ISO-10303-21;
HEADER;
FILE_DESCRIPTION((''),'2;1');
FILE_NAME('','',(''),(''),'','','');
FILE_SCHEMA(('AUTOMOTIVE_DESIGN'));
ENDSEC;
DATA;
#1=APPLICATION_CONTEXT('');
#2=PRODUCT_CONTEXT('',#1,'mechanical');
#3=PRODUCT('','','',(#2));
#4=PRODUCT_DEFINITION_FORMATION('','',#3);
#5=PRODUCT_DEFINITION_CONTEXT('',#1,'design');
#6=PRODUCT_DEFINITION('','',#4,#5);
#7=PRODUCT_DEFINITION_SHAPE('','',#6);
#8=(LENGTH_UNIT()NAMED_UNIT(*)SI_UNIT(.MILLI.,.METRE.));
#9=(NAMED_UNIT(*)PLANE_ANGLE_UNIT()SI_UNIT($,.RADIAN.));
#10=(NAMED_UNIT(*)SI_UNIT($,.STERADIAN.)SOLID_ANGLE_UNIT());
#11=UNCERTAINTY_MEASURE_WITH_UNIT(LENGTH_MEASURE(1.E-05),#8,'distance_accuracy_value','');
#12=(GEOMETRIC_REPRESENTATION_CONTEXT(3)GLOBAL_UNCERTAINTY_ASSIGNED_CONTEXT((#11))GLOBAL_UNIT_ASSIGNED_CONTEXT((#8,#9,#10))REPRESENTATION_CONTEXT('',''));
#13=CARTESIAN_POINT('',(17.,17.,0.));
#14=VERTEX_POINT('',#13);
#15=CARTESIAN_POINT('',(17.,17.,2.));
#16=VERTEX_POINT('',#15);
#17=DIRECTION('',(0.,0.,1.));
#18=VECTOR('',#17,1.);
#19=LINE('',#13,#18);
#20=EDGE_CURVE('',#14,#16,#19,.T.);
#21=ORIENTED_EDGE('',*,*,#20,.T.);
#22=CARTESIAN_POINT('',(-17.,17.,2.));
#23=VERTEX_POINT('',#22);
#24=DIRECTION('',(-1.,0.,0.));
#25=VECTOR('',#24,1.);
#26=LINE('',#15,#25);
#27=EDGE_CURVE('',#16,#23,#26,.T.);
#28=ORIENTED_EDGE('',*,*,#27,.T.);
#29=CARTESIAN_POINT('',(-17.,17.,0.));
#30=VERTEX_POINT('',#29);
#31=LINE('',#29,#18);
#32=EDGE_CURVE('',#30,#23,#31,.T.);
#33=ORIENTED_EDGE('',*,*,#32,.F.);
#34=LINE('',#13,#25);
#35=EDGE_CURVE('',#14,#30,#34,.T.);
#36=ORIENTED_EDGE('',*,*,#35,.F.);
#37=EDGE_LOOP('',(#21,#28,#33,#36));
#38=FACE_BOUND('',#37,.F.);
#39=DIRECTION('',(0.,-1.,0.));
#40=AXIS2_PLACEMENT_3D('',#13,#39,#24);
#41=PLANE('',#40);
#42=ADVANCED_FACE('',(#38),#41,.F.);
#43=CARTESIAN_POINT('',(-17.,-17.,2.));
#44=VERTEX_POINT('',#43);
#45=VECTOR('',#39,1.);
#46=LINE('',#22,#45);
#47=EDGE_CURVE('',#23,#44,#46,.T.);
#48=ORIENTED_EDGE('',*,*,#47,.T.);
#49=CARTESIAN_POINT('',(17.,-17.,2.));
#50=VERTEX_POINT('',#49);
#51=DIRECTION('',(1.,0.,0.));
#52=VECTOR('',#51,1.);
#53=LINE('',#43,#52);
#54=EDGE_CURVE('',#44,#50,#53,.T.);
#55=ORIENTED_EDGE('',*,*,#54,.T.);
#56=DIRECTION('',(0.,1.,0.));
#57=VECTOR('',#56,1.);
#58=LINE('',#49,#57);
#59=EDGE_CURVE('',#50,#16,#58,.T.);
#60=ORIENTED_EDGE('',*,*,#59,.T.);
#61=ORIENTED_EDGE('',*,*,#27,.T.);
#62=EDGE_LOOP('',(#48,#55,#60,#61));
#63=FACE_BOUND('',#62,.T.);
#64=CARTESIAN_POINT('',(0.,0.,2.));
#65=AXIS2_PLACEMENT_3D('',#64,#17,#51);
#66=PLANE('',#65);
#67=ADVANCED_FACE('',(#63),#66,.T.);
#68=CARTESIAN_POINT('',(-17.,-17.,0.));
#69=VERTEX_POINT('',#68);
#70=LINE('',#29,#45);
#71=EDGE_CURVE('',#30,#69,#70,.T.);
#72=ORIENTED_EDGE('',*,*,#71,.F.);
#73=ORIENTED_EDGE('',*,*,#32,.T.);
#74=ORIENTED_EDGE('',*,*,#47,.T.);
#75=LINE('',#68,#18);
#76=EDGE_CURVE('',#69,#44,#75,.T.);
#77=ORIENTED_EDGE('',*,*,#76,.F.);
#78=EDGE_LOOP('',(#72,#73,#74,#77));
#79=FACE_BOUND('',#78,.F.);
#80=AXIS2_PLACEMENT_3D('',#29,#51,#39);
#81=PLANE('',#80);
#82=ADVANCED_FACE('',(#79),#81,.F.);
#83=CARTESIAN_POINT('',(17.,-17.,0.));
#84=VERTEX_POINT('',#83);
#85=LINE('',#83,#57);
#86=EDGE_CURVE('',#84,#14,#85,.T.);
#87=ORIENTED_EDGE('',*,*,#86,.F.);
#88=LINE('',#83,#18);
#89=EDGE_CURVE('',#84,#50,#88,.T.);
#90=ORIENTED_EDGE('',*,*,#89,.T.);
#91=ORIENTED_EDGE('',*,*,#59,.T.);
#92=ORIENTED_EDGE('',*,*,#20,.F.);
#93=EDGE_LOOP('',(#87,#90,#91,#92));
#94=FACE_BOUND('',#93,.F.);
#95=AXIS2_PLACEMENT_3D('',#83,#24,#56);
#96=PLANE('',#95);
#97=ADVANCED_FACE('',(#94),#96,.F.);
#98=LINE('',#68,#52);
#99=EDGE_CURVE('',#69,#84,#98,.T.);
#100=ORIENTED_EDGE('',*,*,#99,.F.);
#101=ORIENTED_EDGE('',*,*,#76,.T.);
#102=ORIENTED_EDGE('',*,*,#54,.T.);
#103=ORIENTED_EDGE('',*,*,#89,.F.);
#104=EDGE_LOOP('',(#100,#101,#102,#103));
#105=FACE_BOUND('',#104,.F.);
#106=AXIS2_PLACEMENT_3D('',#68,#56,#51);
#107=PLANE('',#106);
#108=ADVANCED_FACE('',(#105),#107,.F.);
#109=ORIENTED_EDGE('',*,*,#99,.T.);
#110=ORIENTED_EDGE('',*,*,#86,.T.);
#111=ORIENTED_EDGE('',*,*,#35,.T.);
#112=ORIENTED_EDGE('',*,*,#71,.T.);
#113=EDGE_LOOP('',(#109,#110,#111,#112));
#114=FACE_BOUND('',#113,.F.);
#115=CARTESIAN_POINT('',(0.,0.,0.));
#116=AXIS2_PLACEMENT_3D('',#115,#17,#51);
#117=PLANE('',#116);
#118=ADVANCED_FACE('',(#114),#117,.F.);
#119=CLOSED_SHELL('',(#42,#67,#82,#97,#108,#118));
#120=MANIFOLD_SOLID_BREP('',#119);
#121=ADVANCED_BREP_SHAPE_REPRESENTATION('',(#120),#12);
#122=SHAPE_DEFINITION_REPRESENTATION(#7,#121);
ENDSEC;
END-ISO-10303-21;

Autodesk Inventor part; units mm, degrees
ref_plane "YZ Plane" through (0, 0, 0) normal (1, 0, 0) x (0, 1, 0)
ref_plane "XZ Plane" through (0, 0, 0) normal (0, 1, 0) x (-1, 0, 0)
ref_plane "XY Plane" through (0, 0, 0) normal (0, 0, 1) x (1, 0, 0)
sketch "Skizze1" plane through (0, 0, 0) normal (0, 0, 1) x (1, 0, 0)
  line L0 (0, 24) -> (0, -24) construction
  line L1 (-17, -17) -> (17, -17)
  line L2 (17, -17) -> (17, 17)
  line L3 (17, 17) -> (-17, 17)
  line L4 (-17, 17) -> (-17, -17)
  line L5 (-17, -17) -> (17, 17) construction
  line L6 (17, -17) -> (-17, 17) construction
  point P0 (0, 0)
  point P1 (0, 0)
  point P2 (0, 0)
  dimension "d4" = 34
  dimension "d5" = 34
extrude "Extrusion1" add sketch "Skizze1" along normal blind 2
equation "\"d5\" = d4"
equation "\"Biegeradius\" = Stärke"
equation "\"BreiteBiegungsfreistellung\" = Stärke"
equation "\"TiefeBiegungsfreistellung\" = 0.5 * Stärke"
equation "\"GrößeEckenfreistellung\" = 4 * Stärke"
equation "\"MinimalRest\" = 2 * Stärke"
equation "\"Übergangsradius\" = Biegeradius"
equation "\"JacobiRadiusGröße\" = Biegeradius"
equation "\"Abstandsgröße\" = Stärke"
equation "\"Stärke\" = 3.048"
properties part number "20_cube_circular_polarizer"
